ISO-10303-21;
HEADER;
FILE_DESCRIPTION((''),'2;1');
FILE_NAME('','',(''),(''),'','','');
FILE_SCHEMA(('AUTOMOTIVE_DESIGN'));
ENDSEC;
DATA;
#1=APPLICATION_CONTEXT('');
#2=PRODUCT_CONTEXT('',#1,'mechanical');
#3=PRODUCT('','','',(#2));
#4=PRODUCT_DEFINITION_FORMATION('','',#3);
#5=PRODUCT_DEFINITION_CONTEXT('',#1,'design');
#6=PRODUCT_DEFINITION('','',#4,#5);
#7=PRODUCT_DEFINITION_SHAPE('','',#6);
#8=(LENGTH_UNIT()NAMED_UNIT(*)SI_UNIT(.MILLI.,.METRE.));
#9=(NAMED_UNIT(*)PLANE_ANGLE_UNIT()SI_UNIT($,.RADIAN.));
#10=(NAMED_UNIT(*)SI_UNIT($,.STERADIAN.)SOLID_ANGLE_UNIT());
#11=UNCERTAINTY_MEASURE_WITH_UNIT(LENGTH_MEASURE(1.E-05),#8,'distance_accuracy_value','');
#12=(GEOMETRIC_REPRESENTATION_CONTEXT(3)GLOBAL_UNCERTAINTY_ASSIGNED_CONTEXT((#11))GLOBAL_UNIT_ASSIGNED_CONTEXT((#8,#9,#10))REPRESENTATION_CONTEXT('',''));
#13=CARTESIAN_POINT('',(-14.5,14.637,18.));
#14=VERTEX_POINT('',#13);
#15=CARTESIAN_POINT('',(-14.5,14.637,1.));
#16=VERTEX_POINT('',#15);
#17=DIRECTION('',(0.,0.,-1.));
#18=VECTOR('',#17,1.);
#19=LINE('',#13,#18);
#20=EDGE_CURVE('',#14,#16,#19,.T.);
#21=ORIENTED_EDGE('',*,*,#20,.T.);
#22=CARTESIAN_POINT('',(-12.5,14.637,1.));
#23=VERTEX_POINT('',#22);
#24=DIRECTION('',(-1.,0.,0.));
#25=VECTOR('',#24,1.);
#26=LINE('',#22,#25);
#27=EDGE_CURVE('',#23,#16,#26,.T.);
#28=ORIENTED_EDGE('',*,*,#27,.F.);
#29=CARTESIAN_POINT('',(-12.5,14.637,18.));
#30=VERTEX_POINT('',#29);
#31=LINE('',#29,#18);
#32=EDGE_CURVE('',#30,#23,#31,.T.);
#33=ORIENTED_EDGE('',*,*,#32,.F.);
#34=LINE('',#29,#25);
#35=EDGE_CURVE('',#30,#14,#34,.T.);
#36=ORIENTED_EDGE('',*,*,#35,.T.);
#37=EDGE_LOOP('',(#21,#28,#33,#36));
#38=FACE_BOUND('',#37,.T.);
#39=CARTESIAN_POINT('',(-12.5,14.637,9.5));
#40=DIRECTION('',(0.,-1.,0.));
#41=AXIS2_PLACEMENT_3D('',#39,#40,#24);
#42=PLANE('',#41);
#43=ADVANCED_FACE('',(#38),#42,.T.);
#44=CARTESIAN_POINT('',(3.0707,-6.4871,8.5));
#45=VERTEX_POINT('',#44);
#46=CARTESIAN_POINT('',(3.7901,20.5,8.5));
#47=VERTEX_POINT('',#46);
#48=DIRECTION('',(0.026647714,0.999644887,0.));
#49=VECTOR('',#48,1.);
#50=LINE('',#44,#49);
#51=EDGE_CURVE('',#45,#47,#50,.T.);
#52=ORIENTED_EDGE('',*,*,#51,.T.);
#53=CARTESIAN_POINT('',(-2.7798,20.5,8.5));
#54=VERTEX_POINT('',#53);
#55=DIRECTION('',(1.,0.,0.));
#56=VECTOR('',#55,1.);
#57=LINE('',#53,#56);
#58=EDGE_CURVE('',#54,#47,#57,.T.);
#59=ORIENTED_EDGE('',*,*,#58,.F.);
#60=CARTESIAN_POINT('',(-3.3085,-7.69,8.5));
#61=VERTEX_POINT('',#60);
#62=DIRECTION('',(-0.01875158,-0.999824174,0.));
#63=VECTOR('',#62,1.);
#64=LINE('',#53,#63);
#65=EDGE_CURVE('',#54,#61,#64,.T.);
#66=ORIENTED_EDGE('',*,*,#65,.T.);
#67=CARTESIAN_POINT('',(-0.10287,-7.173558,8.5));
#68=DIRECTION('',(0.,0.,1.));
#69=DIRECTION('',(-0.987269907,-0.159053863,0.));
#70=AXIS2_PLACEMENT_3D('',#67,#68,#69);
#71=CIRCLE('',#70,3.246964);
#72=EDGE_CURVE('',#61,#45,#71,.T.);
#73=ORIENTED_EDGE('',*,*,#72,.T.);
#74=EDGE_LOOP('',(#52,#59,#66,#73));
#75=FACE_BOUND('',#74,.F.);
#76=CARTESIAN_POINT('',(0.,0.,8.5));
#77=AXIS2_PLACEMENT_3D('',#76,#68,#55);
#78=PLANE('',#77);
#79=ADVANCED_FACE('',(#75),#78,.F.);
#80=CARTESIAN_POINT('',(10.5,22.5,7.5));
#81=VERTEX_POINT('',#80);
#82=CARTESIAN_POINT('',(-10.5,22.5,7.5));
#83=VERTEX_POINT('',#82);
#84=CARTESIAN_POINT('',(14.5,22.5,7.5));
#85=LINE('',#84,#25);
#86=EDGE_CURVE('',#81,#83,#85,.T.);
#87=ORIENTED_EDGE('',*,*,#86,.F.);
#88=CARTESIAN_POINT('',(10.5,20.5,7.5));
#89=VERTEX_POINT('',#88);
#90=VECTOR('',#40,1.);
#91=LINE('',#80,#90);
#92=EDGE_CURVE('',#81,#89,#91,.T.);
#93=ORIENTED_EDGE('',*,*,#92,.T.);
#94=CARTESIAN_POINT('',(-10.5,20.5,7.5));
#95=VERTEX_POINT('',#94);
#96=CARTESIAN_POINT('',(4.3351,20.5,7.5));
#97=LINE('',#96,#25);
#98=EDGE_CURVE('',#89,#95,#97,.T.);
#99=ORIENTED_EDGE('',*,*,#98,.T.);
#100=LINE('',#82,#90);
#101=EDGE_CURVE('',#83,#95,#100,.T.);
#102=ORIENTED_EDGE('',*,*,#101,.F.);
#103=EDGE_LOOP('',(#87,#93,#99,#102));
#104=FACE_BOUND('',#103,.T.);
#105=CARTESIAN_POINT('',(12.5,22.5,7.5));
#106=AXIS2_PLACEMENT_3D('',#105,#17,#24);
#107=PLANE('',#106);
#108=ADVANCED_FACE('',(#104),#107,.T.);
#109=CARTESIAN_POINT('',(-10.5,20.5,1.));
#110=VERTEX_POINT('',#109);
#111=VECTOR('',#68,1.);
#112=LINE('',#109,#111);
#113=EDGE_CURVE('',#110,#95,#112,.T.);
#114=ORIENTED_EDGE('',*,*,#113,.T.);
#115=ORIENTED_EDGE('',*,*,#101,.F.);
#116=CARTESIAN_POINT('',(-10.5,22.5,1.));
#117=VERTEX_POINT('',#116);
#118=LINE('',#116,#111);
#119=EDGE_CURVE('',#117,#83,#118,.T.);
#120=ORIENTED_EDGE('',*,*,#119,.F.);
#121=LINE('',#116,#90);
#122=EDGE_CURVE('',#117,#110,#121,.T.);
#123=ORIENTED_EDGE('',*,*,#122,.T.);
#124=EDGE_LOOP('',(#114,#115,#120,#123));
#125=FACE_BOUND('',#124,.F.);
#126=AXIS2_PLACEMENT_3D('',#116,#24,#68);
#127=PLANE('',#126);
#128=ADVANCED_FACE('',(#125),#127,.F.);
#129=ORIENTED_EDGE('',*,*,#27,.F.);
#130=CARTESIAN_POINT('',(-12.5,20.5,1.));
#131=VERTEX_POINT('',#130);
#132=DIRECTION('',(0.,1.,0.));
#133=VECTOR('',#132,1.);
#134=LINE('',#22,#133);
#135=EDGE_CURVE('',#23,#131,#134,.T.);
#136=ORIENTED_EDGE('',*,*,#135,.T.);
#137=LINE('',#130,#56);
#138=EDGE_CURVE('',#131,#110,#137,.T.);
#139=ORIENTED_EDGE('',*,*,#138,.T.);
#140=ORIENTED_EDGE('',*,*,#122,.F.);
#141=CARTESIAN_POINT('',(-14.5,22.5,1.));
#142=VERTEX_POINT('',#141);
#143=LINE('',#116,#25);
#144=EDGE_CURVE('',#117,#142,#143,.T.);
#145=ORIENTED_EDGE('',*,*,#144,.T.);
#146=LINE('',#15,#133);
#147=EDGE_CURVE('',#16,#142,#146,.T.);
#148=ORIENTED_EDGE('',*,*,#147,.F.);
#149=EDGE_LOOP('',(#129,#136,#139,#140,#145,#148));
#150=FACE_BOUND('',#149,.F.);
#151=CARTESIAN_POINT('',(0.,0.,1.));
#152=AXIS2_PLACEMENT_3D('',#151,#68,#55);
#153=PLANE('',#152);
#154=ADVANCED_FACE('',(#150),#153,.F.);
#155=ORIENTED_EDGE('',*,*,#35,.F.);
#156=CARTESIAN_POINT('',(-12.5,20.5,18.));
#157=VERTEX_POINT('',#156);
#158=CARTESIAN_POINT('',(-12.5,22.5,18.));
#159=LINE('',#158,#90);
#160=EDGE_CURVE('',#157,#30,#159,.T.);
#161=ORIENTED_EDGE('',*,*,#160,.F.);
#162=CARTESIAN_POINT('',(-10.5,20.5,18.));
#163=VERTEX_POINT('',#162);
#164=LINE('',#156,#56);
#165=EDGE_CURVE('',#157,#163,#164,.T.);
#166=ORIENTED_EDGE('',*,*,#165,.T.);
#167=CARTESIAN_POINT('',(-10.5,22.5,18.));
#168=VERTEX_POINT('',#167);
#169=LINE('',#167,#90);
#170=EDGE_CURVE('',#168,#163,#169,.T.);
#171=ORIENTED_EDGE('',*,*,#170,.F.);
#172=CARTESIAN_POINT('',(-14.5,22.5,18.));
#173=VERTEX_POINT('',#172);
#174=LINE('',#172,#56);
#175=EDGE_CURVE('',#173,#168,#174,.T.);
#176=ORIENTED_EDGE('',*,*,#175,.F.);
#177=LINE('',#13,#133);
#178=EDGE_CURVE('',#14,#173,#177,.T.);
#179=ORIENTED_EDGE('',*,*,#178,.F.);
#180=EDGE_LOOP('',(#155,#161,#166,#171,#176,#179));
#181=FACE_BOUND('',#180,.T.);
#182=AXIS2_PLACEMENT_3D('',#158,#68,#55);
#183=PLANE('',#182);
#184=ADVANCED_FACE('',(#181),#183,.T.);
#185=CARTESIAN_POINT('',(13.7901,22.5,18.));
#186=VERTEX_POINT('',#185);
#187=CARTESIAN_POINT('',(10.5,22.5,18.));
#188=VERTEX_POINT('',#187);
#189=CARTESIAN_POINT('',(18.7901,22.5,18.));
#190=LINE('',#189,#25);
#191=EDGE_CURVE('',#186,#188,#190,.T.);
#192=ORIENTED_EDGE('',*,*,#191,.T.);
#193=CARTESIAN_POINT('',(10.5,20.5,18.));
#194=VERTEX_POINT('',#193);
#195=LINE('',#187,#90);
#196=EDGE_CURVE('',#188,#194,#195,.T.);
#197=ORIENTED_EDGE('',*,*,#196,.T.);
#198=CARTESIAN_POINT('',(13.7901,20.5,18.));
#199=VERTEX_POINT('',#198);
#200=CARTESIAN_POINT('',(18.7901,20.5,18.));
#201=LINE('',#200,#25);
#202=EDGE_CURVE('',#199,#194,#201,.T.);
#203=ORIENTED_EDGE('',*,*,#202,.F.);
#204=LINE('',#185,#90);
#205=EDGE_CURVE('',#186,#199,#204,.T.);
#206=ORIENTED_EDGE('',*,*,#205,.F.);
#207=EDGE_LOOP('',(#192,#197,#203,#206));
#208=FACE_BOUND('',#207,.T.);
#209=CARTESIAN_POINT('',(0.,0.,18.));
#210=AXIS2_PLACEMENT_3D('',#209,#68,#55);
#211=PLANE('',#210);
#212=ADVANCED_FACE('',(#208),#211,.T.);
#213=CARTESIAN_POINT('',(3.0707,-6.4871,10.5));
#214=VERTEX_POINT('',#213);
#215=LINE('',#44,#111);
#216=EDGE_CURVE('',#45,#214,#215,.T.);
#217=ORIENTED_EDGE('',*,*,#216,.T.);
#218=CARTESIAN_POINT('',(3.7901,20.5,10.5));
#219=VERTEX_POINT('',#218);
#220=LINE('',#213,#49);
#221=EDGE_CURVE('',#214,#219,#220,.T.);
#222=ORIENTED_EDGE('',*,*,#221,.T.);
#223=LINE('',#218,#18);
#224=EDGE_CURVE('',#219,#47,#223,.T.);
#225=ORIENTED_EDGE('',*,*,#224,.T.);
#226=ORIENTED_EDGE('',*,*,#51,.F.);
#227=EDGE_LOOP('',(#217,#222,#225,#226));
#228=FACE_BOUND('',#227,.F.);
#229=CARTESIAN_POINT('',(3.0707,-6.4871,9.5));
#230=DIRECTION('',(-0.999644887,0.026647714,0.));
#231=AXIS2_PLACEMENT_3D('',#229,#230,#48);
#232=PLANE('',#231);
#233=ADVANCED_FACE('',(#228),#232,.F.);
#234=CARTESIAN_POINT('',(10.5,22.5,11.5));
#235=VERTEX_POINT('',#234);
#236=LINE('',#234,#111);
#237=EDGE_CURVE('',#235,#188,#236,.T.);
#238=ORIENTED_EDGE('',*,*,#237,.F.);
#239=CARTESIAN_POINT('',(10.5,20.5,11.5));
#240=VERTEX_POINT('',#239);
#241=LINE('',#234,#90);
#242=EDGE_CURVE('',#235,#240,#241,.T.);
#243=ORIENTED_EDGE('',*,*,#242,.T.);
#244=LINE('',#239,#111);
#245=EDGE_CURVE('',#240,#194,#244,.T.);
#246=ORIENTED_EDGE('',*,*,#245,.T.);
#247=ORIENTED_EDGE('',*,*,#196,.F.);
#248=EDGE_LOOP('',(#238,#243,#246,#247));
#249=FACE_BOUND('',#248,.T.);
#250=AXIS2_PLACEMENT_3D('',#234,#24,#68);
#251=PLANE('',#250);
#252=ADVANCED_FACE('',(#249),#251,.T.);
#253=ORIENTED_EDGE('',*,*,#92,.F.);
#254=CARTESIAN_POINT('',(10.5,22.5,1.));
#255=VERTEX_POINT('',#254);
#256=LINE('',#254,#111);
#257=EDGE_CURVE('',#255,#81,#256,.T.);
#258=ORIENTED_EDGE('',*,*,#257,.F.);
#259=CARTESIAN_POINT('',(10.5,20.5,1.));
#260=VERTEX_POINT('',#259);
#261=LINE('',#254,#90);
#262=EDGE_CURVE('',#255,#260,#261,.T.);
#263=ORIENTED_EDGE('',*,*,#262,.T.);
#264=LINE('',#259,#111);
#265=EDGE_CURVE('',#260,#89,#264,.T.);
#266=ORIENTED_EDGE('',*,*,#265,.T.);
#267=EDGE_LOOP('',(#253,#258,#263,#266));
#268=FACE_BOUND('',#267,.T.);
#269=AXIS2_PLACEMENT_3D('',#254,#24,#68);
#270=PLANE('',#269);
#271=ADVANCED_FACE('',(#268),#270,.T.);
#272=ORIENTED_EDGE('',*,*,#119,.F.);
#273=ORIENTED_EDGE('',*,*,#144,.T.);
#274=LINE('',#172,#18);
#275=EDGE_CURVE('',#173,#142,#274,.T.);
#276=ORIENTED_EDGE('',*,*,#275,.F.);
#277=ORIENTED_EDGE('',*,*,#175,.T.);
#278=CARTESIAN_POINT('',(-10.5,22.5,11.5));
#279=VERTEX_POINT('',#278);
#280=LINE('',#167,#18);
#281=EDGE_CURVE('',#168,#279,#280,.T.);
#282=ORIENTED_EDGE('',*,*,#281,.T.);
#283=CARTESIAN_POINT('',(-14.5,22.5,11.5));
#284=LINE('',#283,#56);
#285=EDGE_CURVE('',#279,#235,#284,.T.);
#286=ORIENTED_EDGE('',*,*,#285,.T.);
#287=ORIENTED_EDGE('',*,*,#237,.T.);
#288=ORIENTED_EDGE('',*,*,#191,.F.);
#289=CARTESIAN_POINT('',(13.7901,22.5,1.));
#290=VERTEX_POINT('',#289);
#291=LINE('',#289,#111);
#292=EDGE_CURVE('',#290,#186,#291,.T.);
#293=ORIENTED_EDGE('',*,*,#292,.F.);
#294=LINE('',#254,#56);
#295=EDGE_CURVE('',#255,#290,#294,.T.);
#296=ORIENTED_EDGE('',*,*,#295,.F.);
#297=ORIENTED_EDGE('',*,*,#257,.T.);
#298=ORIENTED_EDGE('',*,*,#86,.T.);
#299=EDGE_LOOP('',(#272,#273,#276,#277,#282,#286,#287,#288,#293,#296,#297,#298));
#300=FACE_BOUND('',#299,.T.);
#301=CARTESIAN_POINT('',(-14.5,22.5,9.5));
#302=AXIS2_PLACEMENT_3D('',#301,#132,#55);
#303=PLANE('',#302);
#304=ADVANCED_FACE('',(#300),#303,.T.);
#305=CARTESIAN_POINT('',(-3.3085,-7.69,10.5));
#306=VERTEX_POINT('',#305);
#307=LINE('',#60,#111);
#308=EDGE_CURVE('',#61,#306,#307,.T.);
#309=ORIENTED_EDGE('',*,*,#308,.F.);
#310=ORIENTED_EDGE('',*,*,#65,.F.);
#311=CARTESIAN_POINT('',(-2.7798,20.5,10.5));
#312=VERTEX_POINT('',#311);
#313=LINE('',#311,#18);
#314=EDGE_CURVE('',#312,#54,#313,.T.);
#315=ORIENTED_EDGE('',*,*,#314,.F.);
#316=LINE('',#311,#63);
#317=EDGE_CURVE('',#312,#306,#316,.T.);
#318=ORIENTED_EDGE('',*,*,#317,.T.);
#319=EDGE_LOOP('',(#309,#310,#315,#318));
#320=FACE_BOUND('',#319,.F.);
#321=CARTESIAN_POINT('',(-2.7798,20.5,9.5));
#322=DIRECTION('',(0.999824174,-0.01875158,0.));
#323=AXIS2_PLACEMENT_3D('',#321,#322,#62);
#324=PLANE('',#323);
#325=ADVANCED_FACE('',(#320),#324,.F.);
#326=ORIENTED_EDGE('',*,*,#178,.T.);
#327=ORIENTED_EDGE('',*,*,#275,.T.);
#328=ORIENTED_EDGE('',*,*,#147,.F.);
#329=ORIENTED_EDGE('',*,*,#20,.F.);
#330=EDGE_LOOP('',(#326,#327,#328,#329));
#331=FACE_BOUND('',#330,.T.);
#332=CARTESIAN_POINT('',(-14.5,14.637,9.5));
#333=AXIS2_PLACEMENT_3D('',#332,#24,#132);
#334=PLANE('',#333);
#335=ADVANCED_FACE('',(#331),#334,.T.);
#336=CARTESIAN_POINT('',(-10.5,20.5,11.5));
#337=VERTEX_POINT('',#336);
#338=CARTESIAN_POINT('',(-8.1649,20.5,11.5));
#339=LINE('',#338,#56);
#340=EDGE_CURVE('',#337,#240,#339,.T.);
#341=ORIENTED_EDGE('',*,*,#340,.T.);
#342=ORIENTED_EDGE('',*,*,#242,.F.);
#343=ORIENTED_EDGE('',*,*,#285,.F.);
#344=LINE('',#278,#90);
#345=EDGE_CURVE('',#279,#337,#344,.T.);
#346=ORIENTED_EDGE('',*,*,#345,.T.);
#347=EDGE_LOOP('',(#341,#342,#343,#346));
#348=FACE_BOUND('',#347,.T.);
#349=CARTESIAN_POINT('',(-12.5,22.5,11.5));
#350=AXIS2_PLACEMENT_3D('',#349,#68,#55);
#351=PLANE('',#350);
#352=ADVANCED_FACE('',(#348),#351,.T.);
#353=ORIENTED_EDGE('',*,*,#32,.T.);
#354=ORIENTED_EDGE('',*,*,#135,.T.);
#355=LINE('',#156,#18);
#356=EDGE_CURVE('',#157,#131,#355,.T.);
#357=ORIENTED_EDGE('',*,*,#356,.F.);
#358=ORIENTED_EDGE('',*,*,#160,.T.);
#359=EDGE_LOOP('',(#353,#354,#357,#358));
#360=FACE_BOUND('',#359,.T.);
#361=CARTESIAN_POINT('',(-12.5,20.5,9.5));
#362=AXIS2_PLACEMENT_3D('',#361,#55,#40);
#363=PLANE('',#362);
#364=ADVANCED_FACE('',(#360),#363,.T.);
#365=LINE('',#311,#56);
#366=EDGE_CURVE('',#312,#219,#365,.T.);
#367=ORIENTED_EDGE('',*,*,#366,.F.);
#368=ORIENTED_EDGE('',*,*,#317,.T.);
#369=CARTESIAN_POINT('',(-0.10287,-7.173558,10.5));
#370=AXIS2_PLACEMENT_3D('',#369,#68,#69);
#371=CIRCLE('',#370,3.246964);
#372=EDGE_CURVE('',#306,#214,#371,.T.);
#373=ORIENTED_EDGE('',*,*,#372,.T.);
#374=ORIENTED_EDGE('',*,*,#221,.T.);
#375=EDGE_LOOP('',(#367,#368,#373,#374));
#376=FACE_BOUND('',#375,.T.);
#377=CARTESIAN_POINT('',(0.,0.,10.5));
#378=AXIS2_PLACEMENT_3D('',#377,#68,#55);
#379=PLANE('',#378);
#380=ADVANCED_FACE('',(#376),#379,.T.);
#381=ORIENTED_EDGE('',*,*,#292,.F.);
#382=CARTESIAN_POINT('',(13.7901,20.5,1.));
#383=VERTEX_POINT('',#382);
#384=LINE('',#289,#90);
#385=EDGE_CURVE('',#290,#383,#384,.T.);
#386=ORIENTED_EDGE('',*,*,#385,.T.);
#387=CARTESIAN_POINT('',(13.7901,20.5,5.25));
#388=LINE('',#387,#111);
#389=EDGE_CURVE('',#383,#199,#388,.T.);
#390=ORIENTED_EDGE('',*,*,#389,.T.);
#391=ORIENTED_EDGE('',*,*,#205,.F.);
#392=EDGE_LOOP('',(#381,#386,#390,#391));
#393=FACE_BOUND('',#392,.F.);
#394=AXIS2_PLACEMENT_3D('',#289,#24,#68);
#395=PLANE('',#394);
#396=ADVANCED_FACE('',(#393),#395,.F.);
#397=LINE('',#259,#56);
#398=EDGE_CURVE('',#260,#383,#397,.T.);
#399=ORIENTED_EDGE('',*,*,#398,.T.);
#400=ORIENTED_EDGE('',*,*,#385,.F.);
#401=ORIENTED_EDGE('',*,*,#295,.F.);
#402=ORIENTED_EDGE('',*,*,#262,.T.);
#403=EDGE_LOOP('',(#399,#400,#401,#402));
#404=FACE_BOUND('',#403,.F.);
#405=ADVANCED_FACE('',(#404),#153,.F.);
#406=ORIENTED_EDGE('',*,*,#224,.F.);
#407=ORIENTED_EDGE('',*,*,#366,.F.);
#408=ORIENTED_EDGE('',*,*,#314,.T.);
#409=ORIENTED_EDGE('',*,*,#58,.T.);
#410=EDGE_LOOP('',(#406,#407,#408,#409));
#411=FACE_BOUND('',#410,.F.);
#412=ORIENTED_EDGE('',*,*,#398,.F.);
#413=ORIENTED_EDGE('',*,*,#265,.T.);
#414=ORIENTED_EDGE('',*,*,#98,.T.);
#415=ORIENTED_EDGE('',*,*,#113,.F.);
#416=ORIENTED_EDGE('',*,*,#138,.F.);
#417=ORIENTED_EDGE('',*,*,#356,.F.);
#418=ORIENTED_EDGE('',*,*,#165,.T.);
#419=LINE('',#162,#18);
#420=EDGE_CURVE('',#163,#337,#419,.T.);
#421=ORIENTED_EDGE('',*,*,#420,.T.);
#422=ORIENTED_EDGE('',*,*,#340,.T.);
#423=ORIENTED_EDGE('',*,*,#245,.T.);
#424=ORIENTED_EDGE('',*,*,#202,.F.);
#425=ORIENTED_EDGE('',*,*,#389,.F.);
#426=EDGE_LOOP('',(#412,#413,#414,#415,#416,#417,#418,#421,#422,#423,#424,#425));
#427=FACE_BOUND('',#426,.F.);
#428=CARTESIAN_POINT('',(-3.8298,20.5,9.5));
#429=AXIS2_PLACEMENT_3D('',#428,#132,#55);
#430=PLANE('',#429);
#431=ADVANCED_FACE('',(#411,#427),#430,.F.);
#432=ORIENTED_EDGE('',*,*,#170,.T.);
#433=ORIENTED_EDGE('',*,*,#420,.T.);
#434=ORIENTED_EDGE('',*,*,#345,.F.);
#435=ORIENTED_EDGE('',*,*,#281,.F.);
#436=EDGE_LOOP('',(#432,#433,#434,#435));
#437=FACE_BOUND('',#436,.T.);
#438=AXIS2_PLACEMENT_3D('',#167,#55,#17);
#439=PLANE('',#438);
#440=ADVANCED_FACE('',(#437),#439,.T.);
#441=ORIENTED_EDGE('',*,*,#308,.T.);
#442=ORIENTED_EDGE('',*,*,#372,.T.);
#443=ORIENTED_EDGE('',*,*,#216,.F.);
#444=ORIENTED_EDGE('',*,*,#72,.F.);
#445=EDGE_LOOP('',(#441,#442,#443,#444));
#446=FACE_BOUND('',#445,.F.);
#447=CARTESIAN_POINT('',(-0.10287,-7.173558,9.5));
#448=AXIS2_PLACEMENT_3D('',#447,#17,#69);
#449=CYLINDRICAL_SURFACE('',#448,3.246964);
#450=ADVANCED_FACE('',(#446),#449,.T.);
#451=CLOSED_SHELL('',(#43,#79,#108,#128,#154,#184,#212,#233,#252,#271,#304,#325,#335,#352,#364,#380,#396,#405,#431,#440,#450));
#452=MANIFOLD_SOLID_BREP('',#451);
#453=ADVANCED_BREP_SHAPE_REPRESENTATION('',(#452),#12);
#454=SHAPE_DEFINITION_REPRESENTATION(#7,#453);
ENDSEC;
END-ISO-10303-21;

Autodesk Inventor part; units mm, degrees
ref_plane "YZ Plane" through (0, 0, 0) normal (1, 0, 0) x (0, 1, 0)
ref_plane "Work Plane5" through (0, 0, 9.5) normal (0, 0, 1) x (1, 0, 0)
sketch "Sketch4" plane through (0, 0, 9.5) normal (0, 0, 1) x (1, 0, 0)
  arc A0 (-3.3085, -7.69) -> (3.0707, -6.4871) centre (-0.1029, -7.1736) ccw
  line L0 (3.0707, -6.4871) -> (3.7901, 20.5)
  line L1 (-2.7798, 20.5) -> (-3.3085, -7.69)
  line L2 (-3.8298, 20.5) -> (-2.7798, 20.5)
  line L3 (3.7901, 20.5) -> (4.8401, 20.5)
  line L4 (-11.5, 20.5) -> (-12.5, 20.5) projected
  line L5 (11.5, 20.5) -> (9.5, 20.5) projected
  line L6 (-12.5, 20.5) -> (-2.7798, 20.5)
  line L7 (3.7901, 20.5) -> (18.7901, 20.5)
  line L8 (-12.5, 20.5) -> (-12.5, 14.637)
  line L9 (-12.5, 14.637) -> (-12.5, 20.5)
  line L10 (-12.5, 14.637) -> (-14.5, 14.637)
  line L11 (-14.5, 14.637) -> (-14.5, 22.5)
  line L12 (-14.5, 22.5) -> (18.7901, 22.5)
  line L13 (18.7901, 22.5) -> (18.7901, 20.5)
  line L14 (-2.7798, 20.5) -> (3.7901, 20.5)
  point P0 (0, 0)
  point P1 (-0.3189, -10.4133)
  dimension "d34" = 15
  dimension "d36" = 2
extrude "Extrusion7" add sketch "Sketch4" along normal mid plane 2 contours L1 L14 L0 A0
extrude "Extrusion8" add sketch "Sketch4" along normal mid plane 17 contours L2 L6 L4 L8 L10 L11 L12 L13 L7 L5 L3 L14
ref_plane "Work Plane4" through (-12.5, 22.5, 0) normal (0, 1, 0) x (1, 0, 0)
sketch "Sketch5" plane through (-12.5, 22.5, 0) normal (0, 1, 0) x (1, 0, 0)
  line L0 (-2, -11.5) -> (27, -11.5)
  line L1 (27, -11.5) -> (27, -7.5)
  line L2 (27, -7.5) -> (-2, -7.5)
  line L3 (-2, -7.5) -> (-2, -11.5)
  line L4 (15.5, -9.5) -> (9.5, -9.5) projected
  line L5 (-2, -11.5) -> (27, -7.5) construction
  line L6 (27, -11.5) -> (-2, -7.5) construction
  line L7 (0, -1) -> (25, -1)
  line L8 (25, -1) -> (25, -7.5)
  line L9 (25, -7.5) -> (0, -7.5)
  line L10 (0, -7.5) -> (0, -1)
  line L11 (0, -9.5) -> (0, -18) projected
  line L12 (0, -18) -> (31.2901, -18) projected
  line L13 (0, -11.5) -> (25, -11.5)
  line L14 (25, -11.5) -> (25, -18)
  line L15 (25, -18) -> (0, -18)
  line L16 (0, -18) -> (0, -11.5)
  point P0 (12.5, 0)
  point P1 (12.5, -9.5)
extrude "Extrusion9" cut sketch "Sketch5" against normal through all contours L0 L14 L12 L11 | L10 L7 L8 L2
sketch "Sketch6" plane through (-14.5, 22.5, 1) normal (0, 1, 0) x (1, 0, 0)
  line L0 (2, -6.5) -> (27, -6.5) projected
  line L1 (2, 0) -> (4, 0)
  line L2 (4, 0) -> (4, -6.5)
  line L3 (4, -6.5) -> (2, -6.5)
  line L4 (2, -6.5) -> (2, 0)
  line L5 (27, -10.5) -> (2, -10.5) projected
  line L6 (2, -17) -> (4, -17)
  line L7 (4, -17) -> (4, -10.5)
  line L8 (4, -10.5) -> (2, -10.5)
  line L9 (2, -10.5) -> (2, -17)
  line L10 (27, 0) -> (25, 0)
  line L11 (25, 0) -> (25, -6.5)
  line L12 (25, -6.5) -> (27, -6.5)
  line L13 (27, -6.5) -> (27, 0)
  line L14 (27, -10.5) -> (25, -10.5)
  line L15 (25, -10.5) -> (25, -17)
  line L16 (25, -17) -> (27, -17)
  line L17 (27, -17) -> (27, -10.5)
  point P0 (14.5, 1)
  dimension "d43" = 2
  dimension "d44" = 2
  dimension "d45" = 2
  dimension "d46" = 2
extrude "Extrusion10" add sketch "Sketch6" against normal blind 2
sketch "Sketch7" plane through (18.7901, 22.5, 18) normal (0, 1, 0) x (1, 0, 0)
  line L0 (-8.2901, 0) -> (0, 0) projected
  line L1 (0, 17) -> (-5, 17)
  line L2 (-5, 17) -> (-5, 0)
  line L3 (-5, 0) -> (0, 0)
  line L4 (0, 0) -> (0, 17)
  point P0 (-18.7901, 18)
  dimension "d49" = 5
extrude "Extrusion11" cut sketch "Sketch7" against normal through all
properties part number "cover sepatu"
